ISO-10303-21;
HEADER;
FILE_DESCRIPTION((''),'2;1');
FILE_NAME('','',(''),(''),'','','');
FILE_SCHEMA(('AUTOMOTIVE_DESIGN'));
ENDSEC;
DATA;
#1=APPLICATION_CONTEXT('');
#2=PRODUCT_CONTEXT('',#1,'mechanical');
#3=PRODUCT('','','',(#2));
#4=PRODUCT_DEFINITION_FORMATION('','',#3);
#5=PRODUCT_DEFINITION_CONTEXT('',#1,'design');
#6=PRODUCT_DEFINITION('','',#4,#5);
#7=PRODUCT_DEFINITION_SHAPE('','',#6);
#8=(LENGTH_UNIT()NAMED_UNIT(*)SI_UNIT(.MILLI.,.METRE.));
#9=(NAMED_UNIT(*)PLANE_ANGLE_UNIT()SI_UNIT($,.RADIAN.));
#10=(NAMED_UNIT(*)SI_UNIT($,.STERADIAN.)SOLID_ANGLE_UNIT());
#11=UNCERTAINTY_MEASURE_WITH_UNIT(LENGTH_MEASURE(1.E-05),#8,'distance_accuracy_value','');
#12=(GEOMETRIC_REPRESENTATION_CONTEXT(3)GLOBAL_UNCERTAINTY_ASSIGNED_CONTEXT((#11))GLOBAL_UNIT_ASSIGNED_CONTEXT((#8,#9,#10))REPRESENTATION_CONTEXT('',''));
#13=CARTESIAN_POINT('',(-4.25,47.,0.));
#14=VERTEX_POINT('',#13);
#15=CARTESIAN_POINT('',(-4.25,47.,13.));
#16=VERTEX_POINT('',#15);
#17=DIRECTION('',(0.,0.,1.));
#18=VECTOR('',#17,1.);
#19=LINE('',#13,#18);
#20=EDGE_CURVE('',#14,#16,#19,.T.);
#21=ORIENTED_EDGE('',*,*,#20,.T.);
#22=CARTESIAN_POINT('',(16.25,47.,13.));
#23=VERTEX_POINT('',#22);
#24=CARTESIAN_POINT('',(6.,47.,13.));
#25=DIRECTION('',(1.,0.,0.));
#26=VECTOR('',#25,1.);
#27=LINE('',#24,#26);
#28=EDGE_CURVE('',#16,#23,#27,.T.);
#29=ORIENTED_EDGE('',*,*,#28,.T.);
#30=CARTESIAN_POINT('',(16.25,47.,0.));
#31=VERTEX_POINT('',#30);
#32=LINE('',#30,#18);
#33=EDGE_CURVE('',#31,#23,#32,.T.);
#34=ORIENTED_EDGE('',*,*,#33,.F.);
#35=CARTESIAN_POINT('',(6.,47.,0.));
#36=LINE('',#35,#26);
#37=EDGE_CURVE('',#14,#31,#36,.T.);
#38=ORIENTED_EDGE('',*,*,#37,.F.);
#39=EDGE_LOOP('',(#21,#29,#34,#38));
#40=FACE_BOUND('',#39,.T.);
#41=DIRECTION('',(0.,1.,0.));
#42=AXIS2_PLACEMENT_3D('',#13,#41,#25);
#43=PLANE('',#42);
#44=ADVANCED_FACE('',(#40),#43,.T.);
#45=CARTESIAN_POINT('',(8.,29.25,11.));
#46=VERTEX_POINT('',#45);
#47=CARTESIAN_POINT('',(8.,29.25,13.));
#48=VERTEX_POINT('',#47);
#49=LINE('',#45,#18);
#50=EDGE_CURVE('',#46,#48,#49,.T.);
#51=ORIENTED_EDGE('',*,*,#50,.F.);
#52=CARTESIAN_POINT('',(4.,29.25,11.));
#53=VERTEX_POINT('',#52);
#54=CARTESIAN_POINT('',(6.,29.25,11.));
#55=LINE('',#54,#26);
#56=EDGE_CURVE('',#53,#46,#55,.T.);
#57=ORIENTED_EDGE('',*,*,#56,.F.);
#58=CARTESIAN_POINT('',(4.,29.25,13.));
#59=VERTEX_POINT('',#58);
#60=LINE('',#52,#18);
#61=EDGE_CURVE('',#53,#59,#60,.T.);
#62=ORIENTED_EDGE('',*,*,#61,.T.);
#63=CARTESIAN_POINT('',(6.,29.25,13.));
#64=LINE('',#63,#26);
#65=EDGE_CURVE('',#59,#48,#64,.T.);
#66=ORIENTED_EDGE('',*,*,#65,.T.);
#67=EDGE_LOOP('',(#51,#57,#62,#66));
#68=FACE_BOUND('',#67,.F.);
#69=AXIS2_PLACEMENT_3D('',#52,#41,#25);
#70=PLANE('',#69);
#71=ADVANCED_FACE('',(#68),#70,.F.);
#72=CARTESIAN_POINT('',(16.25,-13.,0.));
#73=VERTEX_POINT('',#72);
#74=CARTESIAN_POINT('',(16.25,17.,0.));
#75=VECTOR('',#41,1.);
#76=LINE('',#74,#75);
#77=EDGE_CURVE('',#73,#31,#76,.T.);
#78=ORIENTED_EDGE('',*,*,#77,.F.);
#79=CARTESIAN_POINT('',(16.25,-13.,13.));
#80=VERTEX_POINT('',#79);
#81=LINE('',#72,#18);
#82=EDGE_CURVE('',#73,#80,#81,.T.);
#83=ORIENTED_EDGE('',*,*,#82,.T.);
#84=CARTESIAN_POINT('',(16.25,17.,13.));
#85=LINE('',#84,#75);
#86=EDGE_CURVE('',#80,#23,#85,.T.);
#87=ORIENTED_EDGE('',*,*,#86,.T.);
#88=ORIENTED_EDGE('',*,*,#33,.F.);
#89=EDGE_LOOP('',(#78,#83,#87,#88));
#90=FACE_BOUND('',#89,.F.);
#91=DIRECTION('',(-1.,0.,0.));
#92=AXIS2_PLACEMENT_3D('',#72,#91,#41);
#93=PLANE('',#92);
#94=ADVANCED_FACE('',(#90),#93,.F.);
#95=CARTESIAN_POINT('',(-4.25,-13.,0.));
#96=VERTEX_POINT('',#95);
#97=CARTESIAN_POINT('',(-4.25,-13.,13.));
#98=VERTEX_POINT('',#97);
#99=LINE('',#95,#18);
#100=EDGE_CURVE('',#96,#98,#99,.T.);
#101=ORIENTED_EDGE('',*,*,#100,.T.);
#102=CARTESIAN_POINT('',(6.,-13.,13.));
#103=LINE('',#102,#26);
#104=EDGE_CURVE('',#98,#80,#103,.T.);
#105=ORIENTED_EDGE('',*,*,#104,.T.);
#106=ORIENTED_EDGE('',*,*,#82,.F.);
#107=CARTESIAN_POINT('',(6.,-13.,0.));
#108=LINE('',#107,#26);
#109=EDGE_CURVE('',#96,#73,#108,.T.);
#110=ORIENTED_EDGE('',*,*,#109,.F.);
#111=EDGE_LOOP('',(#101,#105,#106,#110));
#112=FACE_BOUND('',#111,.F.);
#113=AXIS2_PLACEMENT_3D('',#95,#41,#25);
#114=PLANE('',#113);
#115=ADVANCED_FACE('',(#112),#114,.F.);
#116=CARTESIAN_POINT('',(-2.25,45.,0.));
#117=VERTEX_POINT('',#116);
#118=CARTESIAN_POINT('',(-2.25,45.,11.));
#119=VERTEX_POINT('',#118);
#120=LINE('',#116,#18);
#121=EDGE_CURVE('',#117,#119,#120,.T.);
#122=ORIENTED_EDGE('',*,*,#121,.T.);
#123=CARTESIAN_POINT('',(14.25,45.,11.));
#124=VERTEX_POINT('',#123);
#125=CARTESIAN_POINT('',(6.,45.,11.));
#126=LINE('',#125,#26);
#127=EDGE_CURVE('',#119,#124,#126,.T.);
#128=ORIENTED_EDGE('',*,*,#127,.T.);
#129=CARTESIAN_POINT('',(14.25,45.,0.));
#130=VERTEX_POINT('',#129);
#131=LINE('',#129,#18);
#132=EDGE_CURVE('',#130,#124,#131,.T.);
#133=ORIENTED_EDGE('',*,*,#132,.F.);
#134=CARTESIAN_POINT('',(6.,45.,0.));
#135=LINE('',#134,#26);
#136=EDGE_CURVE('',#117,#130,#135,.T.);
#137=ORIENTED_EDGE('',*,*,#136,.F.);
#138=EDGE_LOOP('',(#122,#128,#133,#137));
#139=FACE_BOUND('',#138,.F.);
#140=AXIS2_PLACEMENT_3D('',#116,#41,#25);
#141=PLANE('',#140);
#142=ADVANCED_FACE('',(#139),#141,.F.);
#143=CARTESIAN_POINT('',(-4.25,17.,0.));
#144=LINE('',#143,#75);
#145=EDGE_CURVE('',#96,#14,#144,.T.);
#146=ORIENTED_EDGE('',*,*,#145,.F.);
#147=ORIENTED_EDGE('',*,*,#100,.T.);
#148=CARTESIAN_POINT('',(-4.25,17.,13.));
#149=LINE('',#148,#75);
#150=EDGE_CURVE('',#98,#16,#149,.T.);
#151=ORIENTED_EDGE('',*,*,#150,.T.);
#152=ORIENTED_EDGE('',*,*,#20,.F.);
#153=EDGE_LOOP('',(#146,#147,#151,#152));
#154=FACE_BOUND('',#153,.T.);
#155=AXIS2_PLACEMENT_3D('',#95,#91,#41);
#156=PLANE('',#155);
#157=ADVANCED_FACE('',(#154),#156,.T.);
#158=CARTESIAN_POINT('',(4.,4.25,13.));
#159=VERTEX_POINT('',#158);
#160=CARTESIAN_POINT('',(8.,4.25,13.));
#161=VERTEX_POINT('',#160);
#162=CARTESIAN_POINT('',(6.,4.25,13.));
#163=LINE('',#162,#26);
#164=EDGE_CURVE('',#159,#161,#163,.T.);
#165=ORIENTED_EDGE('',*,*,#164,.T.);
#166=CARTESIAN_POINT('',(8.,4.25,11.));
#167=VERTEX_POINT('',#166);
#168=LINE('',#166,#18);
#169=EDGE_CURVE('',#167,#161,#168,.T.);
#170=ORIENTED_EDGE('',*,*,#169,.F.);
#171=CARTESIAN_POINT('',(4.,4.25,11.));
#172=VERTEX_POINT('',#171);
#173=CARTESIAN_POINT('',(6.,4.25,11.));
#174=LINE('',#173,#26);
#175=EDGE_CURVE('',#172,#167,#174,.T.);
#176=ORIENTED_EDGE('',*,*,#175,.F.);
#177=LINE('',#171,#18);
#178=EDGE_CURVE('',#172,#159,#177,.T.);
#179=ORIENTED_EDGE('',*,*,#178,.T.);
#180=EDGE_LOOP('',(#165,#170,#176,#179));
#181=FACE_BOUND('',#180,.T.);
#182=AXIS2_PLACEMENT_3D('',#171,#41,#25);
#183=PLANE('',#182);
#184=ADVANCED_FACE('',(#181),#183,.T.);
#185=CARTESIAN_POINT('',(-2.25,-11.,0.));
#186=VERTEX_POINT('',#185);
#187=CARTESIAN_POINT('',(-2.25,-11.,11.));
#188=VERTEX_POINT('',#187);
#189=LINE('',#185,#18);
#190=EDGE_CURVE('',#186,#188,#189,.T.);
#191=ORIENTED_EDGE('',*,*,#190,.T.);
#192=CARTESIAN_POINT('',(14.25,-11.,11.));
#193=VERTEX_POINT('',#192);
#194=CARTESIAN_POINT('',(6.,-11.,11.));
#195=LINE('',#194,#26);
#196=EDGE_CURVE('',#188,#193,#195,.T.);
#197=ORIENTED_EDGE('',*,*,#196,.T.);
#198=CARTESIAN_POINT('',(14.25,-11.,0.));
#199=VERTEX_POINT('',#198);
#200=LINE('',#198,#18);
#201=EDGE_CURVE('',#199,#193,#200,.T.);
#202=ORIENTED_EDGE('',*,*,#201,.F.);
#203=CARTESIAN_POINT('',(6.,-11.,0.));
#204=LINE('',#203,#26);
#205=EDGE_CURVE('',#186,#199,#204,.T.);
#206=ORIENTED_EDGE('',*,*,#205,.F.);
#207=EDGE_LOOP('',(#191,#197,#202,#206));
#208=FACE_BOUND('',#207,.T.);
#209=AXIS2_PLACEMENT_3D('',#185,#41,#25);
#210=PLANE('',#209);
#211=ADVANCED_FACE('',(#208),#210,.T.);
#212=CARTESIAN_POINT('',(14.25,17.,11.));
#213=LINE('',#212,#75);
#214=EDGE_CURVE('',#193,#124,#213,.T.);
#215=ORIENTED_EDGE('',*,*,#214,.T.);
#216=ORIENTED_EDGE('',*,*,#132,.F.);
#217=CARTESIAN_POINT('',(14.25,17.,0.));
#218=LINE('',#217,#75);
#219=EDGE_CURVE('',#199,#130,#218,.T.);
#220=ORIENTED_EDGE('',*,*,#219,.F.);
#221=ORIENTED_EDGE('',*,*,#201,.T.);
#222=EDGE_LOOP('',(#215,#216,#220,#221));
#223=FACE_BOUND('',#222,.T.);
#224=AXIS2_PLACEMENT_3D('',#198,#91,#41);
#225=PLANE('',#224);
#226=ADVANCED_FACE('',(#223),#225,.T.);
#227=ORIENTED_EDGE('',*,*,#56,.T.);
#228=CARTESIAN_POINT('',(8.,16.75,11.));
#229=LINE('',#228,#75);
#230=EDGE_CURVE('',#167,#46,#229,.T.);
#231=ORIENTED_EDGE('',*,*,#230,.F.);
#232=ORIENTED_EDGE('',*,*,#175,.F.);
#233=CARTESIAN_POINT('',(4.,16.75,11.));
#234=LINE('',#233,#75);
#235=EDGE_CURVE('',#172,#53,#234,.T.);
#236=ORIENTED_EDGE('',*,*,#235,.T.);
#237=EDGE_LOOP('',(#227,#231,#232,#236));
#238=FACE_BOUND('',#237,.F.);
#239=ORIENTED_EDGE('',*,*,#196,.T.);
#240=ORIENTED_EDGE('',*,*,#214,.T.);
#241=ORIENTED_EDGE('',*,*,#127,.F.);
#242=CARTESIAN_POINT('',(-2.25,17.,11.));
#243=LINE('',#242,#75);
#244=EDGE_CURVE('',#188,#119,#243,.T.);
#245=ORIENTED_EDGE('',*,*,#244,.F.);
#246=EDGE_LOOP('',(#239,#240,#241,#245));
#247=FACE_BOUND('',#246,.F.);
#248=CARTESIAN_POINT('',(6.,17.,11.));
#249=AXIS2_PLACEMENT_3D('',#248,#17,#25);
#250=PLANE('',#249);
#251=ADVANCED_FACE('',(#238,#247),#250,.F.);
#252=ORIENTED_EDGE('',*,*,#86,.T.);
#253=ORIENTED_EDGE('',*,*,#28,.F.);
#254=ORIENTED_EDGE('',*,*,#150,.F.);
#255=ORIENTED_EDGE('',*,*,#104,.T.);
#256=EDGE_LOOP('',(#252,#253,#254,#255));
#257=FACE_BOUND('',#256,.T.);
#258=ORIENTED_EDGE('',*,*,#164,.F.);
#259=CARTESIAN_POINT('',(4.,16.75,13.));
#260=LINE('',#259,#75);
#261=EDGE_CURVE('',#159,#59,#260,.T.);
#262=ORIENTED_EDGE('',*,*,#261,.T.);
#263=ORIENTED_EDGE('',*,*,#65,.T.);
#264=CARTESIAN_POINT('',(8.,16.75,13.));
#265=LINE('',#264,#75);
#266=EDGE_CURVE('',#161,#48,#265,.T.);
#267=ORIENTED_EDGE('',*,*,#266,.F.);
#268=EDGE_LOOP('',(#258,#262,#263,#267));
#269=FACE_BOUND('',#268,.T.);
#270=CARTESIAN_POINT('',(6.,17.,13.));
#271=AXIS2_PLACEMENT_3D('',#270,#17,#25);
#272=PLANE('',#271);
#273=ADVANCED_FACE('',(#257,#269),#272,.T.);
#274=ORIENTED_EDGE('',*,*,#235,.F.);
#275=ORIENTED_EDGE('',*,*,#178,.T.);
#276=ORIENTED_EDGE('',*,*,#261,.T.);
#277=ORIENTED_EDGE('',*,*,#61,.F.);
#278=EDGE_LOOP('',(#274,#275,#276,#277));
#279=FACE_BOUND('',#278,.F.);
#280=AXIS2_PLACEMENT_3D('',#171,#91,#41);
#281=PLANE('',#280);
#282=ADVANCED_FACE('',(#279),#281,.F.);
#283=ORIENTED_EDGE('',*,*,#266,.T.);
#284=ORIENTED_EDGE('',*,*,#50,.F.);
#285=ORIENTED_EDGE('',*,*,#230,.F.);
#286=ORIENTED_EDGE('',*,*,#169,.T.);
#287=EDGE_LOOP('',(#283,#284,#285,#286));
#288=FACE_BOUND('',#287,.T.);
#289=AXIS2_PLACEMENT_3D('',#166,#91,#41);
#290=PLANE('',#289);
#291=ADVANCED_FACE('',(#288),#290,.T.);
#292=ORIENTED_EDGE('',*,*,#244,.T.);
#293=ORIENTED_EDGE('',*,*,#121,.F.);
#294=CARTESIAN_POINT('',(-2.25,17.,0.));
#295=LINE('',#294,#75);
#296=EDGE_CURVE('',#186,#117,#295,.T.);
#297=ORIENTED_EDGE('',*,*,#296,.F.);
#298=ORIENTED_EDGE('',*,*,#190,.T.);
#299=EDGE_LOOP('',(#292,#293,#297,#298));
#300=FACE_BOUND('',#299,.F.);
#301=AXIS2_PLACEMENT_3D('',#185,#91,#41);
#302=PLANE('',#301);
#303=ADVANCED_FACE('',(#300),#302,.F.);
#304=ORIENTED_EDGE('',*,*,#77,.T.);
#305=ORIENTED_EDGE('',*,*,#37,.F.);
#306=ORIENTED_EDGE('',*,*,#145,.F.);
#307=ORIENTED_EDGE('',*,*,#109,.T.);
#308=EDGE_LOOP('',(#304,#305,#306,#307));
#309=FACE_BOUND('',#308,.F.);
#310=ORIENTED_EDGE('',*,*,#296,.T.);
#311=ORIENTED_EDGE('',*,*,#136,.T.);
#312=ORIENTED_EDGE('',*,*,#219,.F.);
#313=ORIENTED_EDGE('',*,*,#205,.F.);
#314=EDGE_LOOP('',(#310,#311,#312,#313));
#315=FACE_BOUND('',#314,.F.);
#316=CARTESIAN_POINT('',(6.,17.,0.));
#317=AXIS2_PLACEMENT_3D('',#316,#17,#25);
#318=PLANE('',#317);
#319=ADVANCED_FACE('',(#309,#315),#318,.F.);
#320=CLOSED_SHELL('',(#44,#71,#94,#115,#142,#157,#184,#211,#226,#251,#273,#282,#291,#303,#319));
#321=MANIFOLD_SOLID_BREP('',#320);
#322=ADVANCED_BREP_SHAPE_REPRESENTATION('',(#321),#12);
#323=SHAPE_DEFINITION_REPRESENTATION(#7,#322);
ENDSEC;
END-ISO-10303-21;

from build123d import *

# Parameters (mm, degrees)
BOX023_W     = 16.5
BOX023_H     = 56
BOX023_DEPTH = 11
BOX027_W     = 4
BOX027_H     = 25
BOX027_DEPTH = 2
BOX024_W     = 20.5
BOX024_H     = 60
BOX024_DEPTH = 13


with BuildPart() as cube023:
    # Box023 → Box023 (new body)
    with BuildSketch(Plane(origin=(-2.25, -11, 0), x_dir=(1, 0, 0), z_dir=(0, 0, 1))):
        with Locations((8.25, 28)):
            Rectangle(BOX023_W, BOX023_H)
    extrude(amount=BOX023_DEPTH)


with BuildPart() as fusion013:
    # Box027 → Box027 (new body)
    with BuildSketch(Plane(origin=(4, 4.25, 11), x_dir=(1, 0, 0), z_dir=(0, 0, 1))):
        with Locations((2, 12.5)):
            Rectangle(BOX027_W, BOX027_H)
    extrude(amount=BOX027_DEPTH)

    # Fusion013: union Cube023
    add(cube023.part)


with BuildPart() as rasplightconnoutter:
    # Box024 → Box024 (new body)
    with BuildSketch(Plane(origin=(-4.25, -13, 0), x_dir=(1, 0, 0), z_dir=(0, 0, 1))):
        with Locations((10.25, 30)):
            Rectangle(BOX024_W, BOX024_H)
    extrude(amount=BOX024_DEPTH)

    # Cut024: cut Fusion013
    add(fusion013.part, mode=Mode.SUBTRACT)


solid = rasplightconnoutter.part
